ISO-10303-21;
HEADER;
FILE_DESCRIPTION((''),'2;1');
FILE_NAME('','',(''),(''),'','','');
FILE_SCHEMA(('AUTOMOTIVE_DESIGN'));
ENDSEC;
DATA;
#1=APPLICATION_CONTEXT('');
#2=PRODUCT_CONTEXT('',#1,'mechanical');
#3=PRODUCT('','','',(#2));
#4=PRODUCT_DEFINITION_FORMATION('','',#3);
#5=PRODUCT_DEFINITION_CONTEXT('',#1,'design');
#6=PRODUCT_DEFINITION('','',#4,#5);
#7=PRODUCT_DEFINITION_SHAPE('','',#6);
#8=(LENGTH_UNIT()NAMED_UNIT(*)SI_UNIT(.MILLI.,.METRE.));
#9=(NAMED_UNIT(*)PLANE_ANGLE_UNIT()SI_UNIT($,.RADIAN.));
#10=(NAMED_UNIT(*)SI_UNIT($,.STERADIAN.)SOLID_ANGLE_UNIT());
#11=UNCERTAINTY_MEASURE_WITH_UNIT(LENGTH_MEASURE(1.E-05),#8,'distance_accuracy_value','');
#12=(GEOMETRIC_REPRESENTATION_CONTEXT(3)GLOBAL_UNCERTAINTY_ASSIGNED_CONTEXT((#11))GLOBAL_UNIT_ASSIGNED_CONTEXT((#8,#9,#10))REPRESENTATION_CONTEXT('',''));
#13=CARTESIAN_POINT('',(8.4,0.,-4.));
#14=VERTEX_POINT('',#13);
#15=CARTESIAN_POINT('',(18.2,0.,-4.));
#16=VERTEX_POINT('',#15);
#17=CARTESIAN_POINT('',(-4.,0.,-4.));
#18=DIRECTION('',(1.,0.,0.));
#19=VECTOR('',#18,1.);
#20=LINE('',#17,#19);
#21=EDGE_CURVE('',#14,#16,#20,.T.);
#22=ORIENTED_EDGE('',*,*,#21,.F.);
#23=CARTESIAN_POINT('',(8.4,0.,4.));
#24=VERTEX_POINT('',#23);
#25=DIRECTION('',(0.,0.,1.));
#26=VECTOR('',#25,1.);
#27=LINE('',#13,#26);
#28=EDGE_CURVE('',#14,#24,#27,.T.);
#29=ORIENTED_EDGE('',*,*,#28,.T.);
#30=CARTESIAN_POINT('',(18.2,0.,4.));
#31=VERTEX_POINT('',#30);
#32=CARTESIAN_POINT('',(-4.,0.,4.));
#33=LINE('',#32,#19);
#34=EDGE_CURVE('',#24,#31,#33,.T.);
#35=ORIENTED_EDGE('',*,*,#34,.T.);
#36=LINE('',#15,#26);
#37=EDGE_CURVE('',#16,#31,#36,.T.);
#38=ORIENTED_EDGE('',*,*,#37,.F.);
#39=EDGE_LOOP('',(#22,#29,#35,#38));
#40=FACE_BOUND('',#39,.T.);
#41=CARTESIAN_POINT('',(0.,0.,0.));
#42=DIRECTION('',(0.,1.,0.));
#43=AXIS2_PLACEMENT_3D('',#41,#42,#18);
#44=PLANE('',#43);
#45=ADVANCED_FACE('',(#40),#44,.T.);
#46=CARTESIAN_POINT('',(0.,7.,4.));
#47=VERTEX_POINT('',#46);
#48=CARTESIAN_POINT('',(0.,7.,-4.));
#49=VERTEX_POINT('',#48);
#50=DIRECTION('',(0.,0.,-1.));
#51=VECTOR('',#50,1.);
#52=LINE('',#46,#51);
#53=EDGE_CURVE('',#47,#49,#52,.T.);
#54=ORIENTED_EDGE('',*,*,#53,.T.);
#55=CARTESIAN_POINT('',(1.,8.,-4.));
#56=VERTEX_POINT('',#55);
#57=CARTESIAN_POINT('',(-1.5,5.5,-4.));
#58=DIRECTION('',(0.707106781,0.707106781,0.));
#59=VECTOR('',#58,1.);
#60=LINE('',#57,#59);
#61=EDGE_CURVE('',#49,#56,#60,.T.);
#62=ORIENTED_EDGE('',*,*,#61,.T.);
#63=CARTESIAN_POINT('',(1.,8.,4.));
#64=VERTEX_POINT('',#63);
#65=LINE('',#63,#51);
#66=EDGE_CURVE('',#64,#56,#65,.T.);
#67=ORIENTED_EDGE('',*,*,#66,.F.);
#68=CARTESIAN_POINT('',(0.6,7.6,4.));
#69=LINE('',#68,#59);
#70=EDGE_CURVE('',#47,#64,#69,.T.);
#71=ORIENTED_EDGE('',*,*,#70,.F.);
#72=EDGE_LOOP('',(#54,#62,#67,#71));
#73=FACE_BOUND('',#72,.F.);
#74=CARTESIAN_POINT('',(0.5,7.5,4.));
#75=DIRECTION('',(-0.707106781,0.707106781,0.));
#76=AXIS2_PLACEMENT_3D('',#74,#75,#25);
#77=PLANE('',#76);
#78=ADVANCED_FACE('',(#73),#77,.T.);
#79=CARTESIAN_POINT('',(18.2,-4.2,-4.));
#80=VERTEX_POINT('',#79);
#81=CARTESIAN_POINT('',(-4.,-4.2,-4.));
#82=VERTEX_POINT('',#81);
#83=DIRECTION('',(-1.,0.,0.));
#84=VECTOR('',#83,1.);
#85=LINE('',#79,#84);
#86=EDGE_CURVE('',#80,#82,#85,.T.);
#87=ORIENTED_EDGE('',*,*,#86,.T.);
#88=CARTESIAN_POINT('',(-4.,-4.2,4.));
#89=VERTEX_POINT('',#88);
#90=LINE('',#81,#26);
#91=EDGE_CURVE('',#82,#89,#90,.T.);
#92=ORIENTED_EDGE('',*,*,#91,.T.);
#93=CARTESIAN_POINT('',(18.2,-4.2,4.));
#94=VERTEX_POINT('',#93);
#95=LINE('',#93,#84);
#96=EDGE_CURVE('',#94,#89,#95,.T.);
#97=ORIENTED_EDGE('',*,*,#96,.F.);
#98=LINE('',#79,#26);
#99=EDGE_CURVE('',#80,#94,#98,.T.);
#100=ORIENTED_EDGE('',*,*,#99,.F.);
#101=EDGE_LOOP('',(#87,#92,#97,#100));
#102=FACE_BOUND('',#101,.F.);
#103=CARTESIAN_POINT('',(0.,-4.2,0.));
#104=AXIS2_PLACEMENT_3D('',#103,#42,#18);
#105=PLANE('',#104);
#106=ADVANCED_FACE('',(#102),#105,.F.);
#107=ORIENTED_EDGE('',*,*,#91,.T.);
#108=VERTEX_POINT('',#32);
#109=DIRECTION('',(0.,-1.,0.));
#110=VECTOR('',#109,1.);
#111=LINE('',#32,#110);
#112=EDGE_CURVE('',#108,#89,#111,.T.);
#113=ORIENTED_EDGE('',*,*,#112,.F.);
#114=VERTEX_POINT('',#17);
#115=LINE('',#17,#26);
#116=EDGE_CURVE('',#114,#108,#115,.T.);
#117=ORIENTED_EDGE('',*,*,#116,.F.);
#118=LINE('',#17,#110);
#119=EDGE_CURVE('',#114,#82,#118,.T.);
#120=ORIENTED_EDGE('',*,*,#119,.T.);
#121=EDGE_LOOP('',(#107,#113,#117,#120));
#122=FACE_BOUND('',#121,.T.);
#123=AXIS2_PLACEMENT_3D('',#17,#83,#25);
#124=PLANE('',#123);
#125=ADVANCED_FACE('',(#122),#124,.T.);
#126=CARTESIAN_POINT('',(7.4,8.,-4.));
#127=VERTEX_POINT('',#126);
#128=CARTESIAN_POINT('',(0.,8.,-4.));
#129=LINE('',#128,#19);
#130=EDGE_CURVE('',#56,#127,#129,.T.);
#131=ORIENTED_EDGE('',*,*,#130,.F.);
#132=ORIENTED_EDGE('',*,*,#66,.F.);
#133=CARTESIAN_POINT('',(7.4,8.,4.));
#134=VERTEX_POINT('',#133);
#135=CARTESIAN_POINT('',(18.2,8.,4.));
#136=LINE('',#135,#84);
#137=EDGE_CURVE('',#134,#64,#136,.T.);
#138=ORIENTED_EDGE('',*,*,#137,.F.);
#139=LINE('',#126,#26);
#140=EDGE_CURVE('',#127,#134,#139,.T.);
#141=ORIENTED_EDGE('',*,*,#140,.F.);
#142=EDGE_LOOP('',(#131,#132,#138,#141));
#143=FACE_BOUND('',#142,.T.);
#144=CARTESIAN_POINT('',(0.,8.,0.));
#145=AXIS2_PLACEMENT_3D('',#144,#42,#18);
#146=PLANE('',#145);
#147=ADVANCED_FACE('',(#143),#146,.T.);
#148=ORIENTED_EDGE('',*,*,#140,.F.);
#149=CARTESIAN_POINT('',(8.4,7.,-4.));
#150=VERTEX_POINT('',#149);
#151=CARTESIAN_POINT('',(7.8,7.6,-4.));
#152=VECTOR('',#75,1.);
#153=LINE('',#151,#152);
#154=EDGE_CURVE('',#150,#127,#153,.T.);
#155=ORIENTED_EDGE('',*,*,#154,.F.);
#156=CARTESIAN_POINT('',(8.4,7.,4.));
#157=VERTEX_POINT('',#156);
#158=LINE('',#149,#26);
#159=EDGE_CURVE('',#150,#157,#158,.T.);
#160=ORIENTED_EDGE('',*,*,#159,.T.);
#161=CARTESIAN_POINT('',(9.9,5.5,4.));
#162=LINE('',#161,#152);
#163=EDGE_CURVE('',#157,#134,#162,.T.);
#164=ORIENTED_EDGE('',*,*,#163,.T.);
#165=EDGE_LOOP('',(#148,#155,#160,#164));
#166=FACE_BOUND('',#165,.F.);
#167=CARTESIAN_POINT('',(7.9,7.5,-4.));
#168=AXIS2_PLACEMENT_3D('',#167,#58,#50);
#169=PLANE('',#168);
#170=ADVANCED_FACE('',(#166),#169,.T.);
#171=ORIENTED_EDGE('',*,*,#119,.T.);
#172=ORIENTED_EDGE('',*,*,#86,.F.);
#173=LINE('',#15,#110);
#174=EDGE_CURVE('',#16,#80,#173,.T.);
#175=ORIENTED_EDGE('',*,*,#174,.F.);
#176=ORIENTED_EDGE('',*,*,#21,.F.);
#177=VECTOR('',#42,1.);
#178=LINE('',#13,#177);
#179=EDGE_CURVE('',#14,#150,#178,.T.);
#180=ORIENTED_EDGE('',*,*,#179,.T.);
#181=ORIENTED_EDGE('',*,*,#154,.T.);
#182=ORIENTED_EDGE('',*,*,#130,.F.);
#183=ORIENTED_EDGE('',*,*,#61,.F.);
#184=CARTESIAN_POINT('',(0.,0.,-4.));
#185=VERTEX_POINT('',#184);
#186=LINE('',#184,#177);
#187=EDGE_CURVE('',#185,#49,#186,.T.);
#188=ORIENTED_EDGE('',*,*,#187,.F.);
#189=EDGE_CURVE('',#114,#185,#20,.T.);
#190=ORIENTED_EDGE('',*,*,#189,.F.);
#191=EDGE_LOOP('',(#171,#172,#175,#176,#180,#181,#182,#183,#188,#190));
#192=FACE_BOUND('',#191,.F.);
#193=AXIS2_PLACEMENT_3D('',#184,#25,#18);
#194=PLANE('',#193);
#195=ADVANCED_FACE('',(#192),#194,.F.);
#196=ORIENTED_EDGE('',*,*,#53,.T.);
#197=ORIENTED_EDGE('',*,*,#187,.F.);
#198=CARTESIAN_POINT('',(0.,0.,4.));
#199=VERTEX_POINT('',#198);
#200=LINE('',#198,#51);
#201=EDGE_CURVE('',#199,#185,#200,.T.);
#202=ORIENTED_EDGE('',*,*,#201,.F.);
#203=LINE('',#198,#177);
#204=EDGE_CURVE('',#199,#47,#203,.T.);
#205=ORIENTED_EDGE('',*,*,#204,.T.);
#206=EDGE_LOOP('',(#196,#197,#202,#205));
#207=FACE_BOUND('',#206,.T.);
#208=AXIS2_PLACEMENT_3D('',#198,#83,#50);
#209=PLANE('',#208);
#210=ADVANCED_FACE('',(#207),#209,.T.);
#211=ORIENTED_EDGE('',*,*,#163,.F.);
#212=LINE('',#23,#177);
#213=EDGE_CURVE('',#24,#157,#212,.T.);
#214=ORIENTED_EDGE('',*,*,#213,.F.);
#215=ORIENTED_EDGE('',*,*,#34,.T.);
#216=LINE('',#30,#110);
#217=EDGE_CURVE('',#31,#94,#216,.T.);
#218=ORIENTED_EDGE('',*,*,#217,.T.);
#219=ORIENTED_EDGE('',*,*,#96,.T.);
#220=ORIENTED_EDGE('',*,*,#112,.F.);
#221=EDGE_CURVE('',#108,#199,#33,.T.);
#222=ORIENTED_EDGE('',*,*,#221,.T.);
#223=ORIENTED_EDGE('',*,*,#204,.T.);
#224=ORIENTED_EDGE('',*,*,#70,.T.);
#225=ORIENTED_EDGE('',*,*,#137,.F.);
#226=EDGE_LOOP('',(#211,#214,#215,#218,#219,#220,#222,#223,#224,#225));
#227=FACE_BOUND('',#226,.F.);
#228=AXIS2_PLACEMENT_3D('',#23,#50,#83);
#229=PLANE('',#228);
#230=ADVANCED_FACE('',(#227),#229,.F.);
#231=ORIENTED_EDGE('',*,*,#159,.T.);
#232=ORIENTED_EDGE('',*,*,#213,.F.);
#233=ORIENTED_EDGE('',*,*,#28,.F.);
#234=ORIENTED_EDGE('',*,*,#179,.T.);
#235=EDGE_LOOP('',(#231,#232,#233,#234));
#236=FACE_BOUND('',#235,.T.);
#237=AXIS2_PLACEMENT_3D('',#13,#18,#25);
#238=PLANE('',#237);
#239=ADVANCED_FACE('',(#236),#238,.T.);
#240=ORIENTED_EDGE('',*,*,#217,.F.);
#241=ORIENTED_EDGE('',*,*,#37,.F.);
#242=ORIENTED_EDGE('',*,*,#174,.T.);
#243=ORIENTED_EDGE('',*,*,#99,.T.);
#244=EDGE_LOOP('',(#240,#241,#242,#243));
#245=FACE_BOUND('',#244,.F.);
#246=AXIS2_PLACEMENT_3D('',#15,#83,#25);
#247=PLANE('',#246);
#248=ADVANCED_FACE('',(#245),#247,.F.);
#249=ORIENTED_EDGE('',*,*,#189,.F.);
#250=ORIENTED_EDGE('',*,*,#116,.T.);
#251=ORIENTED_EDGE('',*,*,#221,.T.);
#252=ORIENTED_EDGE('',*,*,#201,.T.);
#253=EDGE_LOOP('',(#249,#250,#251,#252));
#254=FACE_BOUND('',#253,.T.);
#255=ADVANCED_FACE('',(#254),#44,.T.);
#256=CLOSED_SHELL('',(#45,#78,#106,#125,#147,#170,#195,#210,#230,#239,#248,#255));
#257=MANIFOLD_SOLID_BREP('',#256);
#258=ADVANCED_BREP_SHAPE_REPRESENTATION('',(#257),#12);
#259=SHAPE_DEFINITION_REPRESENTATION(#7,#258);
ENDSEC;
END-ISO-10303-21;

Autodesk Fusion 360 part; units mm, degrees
sketch "Sketch2" plane through (0, 0, 0) normal (0, 1, 0) x (1, 0, 0)
  line L0 (0, 4) -> (18.2, 4)
  line L1 (18.2, 4) -> (18.2, -4)
  line L2 (18.2, -4) -> (0, -4)
  line L3 (0, -4) -> (0, 4)
  line L4 (8.4, 4) -> (8.4, -4)
  line L5 (0, 0) -> (8.4, 0) construction
  line L6 (4.2, 4) -> (4.2, -4) construction
  line L7 (0, 4) -> (-4, 4)
  line L8 (-4, 4) -> (-4, -4)
  line L9 (-4, -4) -> (0, -4)
  line L10 (0, -4) -> (0, 4)
  point P0 (4.2, 0)
  dimension "d5" = 8
  dimension "d6" = 8.4
  dimension "d7" = 14
  dimension "d14" = 4
  dimension "d15" = 9.8
extrude "Extrude2" add sketch "Sketch2" along normal blind 8 contours L0 L2 L3 L4 L10
extrude "Extrude3" add sketch "Sketch2" against normal blind 4.2
chamfer "Chamfer1" distance 1 angle 45 2 edges at (0, 8, 0) (8.4, 8, 0)
sketch "Sketch1" plane through (0, 0, 0) normal (0, 1, 0) x (1, 0, 0)
  line L0 (3, -2.5) -> (-3, -2.5)
  line L1 (-3, -2.5) -> (-3, 2.5)
  line L2 (-3, 2.5) -> (3, 2.5)
  line L3 (3, 2.5) -> (3, -2.5)
  line L4 (3, -2.5) -> (-3, 2.5) construction
  line L5 (-3, -2.5) -> (3, 2.5) construction
  dimension "d1" = 5
  dimension "d2" = 6
extrude "Extrude1" [suppressed]
